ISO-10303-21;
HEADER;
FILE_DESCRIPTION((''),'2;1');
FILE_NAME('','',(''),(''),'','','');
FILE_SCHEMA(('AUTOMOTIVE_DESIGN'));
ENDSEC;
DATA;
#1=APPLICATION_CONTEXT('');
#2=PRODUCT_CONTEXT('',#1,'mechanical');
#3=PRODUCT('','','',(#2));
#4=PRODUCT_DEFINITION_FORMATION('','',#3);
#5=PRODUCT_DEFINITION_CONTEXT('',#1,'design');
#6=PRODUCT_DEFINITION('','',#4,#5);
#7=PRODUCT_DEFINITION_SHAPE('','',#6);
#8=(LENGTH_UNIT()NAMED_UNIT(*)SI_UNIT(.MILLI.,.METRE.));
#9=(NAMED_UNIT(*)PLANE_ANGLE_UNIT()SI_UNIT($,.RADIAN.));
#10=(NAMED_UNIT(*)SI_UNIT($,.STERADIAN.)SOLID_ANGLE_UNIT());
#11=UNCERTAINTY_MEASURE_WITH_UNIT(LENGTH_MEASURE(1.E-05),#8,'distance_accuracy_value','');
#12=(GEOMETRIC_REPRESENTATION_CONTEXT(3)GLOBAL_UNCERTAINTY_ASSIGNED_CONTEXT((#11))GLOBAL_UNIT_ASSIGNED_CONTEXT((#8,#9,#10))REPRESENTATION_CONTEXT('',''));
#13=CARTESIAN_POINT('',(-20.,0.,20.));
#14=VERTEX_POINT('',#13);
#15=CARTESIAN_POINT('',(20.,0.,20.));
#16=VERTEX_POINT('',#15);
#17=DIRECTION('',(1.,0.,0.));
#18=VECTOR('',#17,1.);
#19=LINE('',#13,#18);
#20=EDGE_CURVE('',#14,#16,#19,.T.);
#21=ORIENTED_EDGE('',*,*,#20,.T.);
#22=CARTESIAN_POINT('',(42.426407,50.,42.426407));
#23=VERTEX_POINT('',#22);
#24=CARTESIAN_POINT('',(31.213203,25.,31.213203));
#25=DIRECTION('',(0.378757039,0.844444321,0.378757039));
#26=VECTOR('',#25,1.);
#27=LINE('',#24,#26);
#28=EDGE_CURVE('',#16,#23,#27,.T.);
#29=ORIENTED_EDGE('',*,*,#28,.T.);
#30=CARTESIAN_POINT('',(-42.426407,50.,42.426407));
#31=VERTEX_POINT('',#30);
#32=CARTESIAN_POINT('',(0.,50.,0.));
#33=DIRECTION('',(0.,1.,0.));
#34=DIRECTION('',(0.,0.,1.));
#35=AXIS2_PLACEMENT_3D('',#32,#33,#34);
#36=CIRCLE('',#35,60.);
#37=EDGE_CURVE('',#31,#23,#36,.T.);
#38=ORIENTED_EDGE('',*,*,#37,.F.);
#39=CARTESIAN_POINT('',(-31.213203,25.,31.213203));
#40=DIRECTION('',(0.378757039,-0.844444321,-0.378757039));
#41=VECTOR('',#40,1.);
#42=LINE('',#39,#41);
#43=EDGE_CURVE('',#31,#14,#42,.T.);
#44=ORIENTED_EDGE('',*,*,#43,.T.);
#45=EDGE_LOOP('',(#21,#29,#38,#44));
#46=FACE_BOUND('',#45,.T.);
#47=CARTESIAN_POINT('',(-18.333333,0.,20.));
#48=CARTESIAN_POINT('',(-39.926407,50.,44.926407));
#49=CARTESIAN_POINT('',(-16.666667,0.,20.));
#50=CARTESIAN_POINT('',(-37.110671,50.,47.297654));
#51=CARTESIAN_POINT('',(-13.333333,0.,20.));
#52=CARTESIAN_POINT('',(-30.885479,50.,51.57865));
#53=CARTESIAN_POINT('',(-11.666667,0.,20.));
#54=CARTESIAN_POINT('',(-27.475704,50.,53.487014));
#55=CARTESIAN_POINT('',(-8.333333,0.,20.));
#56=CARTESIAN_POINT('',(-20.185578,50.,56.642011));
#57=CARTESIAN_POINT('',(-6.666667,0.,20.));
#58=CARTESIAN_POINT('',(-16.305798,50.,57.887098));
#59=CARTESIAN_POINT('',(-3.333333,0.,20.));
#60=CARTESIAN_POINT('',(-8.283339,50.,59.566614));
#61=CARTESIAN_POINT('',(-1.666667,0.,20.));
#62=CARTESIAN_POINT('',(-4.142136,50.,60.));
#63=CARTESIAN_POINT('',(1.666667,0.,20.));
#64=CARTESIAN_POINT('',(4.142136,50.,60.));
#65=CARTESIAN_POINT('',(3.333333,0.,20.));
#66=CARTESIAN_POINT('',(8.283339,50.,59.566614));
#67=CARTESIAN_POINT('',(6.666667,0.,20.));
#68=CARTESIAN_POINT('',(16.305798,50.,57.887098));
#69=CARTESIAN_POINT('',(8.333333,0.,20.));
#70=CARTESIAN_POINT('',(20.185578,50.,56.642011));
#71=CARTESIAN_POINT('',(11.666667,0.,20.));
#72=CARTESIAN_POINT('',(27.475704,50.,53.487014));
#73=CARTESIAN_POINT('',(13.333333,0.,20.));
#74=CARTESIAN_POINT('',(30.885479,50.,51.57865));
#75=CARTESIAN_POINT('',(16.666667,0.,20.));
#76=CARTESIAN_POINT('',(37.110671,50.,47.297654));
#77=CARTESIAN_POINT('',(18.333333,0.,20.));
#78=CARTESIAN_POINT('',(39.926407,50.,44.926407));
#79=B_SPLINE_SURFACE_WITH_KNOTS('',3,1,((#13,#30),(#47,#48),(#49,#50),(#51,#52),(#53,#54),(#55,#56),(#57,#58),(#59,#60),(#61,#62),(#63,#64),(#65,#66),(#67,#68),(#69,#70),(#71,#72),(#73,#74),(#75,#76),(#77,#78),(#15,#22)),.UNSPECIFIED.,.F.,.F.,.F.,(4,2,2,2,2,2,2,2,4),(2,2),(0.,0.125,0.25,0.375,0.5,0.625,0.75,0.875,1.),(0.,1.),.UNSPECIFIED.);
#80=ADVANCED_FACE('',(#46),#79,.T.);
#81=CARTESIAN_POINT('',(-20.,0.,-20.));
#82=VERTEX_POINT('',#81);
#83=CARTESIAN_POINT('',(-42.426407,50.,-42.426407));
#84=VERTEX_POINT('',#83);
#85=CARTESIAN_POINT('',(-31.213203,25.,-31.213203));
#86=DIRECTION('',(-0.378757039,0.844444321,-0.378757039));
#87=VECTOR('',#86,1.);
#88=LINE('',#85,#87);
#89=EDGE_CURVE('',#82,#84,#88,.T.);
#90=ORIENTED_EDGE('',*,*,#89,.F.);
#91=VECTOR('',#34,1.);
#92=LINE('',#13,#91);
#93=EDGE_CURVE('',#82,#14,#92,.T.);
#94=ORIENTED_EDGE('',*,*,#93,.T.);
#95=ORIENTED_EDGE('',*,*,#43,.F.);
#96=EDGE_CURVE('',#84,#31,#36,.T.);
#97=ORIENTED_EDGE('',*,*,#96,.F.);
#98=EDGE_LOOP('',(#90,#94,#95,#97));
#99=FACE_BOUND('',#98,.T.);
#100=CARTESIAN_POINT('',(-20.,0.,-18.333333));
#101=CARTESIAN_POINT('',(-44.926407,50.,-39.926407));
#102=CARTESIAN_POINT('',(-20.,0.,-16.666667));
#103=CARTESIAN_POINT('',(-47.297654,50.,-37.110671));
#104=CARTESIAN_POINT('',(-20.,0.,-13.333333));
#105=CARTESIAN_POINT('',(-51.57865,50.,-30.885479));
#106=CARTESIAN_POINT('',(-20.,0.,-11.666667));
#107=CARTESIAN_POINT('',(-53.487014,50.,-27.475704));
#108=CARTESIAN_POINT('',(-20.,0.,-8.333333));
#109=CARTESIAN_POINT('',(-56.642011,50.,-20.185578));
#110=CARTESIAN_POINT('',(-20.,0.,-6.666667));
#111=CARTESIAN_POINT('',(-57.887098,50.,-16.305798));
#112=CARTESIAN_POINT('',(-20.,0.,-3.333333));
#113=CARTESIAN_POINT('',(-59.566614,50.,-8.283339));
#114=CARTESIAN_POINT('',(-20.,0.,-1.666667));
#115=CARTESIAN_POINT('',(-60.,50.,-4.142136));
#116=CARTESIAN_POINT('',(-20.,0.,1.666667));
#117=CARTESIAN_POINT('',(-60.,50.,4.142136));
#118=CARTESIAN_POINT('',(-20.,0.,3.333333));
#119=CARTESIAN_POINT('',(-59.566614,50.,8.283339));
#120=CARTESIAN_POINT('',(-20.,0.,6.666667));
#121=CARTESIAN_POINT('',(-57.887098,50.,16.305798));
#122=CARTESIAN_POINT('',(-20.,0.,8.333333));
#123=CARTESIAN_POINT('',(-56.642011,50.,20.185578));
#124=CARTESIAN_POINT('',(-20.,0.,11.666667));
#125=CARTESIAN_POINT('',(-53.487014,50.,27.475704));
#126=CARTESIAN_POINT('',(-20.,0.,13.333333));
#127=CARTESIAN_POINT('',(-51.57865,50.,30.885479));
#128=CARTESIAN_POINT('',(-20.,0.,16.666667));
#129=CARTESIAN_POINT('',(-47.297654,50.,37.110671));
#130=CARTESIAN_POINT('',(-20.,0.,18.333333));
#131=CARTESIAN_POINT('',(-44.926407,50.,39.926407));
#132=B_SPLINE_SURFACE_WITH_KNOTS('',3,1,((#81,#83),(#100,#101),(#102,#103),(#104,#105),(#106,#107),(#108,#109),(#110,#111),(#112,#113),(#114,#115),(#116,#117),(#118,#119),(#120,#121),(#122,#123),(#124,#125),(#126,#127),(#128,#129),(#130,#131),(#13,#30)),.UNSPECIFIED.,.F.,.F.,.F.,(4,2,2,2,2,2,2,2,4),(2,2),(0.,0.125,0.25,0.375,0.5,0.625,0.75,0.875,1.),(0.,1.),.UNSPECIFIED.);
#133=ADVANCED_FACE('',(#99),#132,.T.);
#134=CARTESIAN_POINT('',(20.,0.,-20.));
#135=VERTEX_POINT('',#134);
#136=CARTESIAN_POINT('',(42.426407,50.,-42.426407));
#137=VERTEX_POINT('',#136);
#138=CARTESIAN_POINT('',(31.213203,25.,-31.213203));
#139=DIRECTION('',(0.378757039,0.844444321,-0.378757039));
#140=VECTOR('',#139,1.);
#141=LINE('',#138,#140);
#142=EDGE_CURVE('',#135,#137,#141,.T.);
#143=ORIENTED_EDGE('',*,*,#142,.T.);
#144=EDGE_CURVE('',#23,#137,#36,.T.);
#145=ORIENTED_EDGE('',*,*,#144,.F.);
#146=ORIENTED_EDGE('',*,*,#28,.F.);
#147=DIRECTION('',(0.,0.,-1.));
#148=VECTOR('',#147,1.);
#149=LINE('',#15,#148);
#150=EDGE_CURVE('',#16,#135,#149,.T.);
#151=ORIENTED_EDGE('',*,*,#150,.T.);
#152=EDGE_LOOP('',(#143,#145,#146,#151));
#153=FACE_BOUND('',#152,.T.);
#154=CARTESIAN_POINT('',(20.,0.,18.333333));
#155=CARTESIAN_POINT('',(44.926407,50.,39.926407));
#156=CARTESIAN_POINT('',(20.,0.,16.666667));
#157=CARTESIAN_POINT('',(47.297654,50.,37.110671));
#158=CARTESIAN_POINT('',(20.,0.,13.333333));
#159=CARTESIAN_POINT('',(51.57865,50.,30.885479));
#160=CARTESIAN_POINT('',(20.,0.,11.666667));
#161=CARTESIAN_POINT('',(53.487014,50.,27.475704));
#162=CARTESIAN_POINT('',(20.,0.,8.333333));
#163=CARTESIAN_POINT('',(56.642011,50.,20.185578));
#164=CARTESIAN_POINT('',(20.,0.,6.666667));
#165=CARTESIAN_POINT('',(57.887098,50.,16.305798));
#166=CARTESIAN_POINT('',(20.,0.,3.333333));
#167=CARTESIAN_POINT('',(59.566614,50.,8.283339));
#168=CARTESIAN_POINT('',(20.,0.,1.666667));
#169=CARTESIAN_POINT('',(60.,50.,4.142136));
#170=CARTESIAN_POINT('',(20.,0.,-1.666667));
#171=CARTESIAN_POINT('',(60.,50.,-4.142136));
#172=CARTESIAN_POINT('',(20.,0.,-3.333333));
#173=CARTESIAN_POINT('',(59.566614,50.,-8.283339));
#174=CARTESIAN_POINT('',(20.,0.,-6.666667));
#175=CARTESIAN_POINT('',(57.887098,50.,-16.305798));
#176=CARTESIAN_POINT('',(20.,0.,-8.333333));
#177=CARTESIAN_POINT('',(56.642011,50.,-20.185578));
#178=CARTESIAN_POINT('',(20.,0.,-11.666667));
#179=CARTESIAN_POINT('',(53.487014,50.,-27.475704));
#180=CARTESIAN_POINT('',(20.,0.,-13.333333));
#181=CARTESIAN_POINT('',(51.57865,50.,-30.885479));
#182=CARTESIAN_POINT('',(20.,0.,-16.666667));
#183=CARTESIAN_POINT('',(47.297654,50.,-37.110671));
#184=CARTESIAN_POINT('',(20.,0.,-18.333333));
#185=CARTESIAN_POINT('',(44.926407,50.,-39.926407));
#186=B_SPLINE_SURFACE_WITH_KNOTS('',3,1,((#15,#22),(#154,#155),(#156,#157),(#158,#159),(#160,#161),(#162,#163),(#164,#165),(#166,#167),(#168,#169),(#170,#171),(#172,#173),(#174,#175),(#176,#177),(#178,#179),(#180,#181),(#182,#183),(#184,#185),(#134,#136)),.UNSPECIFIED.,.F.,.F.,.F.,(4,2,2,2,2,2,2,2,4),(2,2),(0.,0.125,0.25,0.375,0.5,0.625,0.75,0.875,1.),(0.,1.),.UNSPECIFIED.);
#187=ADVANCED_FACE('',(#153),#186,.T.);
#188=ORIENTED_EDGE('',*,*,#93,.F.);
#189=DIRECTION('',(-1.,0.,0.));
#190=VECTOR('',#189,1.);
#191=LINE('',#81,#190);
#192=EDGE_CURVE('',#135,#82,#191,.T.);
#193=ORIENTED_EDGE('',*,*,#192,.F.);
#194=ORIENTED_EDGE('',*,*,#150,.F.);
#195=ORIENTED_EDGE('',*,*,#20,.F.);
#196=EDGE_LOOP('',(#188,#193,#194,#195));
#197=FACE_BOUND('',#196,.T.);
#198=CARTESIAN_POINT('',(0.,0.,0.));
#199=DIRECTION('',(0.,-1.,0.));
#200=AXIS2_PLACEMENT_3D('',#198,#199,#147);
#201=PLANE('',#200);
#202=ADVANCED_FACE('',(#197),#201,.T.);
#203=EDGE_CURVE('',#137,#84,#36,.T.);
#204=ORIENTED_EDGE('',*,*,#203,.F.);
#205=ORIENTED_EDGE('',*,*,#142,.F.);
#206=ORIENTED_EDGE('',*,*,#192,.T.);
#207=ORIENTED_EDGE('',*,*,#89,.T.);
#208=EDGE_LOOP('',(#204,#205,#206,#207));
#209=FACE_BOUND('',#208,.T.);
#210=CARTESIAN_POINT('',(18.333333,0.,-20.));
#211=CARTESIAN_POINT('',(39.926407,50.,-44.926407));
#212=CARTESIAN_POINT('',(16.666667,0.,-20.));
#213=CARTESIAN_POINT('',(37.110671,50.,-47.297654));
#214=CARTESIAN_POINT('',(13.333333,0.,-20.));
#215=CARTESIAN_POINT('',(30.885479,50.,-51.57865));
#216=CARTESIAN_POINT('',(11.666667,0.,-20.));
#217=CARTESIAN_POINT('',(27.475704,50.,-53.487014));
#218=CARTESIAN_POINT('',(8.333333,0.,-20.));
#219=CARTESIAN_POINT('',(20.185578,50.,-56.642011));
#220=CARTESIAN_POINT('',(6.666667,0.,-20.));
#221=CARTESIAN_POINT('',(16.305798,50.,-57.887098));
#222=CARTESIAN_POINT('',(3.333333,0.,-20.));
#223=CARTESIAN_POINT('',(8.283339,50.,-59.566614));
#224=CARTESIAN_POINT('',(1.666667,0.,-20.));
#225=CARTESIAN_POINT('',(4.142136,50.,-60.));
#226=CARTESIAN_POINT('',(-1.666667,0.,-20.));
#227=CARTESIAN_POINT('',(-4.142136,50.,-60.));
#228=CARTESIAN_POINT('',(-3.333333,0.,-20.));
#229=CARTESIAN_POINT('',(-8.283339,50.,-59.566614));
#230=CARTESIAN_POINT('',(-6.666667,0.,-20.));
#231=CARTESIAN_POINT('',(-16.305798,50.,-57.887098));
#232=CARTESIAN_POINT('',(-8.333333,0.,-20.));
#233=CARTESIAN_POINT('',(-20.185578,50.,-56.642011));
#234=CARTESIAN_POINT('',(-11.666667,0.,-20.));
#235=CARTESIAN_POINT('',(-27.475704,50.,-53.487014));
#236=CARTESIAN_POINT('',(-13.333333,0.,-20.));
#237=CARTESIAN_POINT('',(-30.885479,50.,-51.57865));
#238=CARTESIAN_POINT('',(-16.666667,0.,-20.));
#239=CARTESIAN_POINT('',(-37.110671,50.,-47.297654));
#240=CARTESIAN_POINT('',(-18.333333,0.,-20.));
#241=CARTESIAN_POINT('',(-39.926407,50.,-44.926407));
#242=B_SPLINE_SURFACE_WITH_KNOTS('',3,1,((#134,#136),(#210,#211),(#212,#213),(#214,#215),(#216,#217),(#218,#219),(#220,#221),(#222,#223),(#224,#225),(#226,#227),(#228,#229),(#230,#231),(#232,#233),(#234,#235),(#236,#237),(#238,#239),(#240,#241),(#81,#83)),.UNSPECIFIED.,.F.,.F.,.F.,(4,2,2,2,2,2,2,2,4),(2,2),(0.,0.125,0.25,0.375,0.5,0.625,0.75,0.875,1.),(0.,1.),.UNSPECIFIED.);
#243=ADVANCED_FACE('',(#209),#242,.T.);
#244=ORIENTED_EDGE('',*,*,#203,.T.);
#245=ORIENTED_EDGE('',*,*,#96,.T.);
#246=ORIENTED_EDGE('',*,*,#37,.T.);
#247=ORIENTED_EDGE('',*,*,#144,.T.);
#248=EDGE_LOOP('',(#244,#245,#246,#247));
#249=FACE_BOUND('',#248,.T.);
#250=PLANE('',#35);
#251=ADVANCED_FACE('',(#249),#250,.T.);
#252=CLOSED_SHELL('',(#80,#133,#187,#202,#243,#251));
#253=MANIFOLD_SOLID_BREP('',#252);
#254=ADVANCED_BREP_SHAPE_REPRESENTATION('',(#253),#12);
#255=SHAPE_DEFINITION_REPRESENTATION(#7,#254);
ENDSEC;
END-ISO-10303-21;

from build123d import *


with BuildPart() as part:
    # Esboço1 → Loft4 section 0
    with BuildSketch(Plane(origin=(0, 0, 0), x_dir=(1, 0, 0), z_dir=(0, 1, 0))):
        with BuildLine():
            Line((-20, -20), (20, -20))
            Line((20, -20), (20, 20))
            Line((20, 20), (-20, 20))
            Line((-20, 20), (-20, -20))
        make_face()
    # Esboço3 for Loft4 → Loft4 section 1
    with BuildSketch(Plane(origin=(0, 50, 0), x_dir=(1, 0, 0), z_dir=(0, 1, 0))):
        with BuildLine():
            # circular arc as an exact rational Bezier (weights 1, cos(half-angle), 1)
            Bezier((-42.426406871, -42.426406871), (0, -84.852813743), (42.426406871, -42.426406871), weights=[1, 0.707106781, 1])
            Bezier((42.426406871, -42.426406871), (84.852813743, 0), (42.426406871, 42.426406871), weights=[1, 0.707106781, 1])
            Bezier((42.426406871, 42.426406871), (0, 84.852813743), (-42.426406871, 42.426406871), weights=[1, 0.707106781, 1])
            Bezier((-42.426406871, 42.426406871), (-84.852813743, 0), (-42.426406871, -42.426406871), weights=[1, 0.707106781, 1])
        make_face()
    loft()


solid = part.part
